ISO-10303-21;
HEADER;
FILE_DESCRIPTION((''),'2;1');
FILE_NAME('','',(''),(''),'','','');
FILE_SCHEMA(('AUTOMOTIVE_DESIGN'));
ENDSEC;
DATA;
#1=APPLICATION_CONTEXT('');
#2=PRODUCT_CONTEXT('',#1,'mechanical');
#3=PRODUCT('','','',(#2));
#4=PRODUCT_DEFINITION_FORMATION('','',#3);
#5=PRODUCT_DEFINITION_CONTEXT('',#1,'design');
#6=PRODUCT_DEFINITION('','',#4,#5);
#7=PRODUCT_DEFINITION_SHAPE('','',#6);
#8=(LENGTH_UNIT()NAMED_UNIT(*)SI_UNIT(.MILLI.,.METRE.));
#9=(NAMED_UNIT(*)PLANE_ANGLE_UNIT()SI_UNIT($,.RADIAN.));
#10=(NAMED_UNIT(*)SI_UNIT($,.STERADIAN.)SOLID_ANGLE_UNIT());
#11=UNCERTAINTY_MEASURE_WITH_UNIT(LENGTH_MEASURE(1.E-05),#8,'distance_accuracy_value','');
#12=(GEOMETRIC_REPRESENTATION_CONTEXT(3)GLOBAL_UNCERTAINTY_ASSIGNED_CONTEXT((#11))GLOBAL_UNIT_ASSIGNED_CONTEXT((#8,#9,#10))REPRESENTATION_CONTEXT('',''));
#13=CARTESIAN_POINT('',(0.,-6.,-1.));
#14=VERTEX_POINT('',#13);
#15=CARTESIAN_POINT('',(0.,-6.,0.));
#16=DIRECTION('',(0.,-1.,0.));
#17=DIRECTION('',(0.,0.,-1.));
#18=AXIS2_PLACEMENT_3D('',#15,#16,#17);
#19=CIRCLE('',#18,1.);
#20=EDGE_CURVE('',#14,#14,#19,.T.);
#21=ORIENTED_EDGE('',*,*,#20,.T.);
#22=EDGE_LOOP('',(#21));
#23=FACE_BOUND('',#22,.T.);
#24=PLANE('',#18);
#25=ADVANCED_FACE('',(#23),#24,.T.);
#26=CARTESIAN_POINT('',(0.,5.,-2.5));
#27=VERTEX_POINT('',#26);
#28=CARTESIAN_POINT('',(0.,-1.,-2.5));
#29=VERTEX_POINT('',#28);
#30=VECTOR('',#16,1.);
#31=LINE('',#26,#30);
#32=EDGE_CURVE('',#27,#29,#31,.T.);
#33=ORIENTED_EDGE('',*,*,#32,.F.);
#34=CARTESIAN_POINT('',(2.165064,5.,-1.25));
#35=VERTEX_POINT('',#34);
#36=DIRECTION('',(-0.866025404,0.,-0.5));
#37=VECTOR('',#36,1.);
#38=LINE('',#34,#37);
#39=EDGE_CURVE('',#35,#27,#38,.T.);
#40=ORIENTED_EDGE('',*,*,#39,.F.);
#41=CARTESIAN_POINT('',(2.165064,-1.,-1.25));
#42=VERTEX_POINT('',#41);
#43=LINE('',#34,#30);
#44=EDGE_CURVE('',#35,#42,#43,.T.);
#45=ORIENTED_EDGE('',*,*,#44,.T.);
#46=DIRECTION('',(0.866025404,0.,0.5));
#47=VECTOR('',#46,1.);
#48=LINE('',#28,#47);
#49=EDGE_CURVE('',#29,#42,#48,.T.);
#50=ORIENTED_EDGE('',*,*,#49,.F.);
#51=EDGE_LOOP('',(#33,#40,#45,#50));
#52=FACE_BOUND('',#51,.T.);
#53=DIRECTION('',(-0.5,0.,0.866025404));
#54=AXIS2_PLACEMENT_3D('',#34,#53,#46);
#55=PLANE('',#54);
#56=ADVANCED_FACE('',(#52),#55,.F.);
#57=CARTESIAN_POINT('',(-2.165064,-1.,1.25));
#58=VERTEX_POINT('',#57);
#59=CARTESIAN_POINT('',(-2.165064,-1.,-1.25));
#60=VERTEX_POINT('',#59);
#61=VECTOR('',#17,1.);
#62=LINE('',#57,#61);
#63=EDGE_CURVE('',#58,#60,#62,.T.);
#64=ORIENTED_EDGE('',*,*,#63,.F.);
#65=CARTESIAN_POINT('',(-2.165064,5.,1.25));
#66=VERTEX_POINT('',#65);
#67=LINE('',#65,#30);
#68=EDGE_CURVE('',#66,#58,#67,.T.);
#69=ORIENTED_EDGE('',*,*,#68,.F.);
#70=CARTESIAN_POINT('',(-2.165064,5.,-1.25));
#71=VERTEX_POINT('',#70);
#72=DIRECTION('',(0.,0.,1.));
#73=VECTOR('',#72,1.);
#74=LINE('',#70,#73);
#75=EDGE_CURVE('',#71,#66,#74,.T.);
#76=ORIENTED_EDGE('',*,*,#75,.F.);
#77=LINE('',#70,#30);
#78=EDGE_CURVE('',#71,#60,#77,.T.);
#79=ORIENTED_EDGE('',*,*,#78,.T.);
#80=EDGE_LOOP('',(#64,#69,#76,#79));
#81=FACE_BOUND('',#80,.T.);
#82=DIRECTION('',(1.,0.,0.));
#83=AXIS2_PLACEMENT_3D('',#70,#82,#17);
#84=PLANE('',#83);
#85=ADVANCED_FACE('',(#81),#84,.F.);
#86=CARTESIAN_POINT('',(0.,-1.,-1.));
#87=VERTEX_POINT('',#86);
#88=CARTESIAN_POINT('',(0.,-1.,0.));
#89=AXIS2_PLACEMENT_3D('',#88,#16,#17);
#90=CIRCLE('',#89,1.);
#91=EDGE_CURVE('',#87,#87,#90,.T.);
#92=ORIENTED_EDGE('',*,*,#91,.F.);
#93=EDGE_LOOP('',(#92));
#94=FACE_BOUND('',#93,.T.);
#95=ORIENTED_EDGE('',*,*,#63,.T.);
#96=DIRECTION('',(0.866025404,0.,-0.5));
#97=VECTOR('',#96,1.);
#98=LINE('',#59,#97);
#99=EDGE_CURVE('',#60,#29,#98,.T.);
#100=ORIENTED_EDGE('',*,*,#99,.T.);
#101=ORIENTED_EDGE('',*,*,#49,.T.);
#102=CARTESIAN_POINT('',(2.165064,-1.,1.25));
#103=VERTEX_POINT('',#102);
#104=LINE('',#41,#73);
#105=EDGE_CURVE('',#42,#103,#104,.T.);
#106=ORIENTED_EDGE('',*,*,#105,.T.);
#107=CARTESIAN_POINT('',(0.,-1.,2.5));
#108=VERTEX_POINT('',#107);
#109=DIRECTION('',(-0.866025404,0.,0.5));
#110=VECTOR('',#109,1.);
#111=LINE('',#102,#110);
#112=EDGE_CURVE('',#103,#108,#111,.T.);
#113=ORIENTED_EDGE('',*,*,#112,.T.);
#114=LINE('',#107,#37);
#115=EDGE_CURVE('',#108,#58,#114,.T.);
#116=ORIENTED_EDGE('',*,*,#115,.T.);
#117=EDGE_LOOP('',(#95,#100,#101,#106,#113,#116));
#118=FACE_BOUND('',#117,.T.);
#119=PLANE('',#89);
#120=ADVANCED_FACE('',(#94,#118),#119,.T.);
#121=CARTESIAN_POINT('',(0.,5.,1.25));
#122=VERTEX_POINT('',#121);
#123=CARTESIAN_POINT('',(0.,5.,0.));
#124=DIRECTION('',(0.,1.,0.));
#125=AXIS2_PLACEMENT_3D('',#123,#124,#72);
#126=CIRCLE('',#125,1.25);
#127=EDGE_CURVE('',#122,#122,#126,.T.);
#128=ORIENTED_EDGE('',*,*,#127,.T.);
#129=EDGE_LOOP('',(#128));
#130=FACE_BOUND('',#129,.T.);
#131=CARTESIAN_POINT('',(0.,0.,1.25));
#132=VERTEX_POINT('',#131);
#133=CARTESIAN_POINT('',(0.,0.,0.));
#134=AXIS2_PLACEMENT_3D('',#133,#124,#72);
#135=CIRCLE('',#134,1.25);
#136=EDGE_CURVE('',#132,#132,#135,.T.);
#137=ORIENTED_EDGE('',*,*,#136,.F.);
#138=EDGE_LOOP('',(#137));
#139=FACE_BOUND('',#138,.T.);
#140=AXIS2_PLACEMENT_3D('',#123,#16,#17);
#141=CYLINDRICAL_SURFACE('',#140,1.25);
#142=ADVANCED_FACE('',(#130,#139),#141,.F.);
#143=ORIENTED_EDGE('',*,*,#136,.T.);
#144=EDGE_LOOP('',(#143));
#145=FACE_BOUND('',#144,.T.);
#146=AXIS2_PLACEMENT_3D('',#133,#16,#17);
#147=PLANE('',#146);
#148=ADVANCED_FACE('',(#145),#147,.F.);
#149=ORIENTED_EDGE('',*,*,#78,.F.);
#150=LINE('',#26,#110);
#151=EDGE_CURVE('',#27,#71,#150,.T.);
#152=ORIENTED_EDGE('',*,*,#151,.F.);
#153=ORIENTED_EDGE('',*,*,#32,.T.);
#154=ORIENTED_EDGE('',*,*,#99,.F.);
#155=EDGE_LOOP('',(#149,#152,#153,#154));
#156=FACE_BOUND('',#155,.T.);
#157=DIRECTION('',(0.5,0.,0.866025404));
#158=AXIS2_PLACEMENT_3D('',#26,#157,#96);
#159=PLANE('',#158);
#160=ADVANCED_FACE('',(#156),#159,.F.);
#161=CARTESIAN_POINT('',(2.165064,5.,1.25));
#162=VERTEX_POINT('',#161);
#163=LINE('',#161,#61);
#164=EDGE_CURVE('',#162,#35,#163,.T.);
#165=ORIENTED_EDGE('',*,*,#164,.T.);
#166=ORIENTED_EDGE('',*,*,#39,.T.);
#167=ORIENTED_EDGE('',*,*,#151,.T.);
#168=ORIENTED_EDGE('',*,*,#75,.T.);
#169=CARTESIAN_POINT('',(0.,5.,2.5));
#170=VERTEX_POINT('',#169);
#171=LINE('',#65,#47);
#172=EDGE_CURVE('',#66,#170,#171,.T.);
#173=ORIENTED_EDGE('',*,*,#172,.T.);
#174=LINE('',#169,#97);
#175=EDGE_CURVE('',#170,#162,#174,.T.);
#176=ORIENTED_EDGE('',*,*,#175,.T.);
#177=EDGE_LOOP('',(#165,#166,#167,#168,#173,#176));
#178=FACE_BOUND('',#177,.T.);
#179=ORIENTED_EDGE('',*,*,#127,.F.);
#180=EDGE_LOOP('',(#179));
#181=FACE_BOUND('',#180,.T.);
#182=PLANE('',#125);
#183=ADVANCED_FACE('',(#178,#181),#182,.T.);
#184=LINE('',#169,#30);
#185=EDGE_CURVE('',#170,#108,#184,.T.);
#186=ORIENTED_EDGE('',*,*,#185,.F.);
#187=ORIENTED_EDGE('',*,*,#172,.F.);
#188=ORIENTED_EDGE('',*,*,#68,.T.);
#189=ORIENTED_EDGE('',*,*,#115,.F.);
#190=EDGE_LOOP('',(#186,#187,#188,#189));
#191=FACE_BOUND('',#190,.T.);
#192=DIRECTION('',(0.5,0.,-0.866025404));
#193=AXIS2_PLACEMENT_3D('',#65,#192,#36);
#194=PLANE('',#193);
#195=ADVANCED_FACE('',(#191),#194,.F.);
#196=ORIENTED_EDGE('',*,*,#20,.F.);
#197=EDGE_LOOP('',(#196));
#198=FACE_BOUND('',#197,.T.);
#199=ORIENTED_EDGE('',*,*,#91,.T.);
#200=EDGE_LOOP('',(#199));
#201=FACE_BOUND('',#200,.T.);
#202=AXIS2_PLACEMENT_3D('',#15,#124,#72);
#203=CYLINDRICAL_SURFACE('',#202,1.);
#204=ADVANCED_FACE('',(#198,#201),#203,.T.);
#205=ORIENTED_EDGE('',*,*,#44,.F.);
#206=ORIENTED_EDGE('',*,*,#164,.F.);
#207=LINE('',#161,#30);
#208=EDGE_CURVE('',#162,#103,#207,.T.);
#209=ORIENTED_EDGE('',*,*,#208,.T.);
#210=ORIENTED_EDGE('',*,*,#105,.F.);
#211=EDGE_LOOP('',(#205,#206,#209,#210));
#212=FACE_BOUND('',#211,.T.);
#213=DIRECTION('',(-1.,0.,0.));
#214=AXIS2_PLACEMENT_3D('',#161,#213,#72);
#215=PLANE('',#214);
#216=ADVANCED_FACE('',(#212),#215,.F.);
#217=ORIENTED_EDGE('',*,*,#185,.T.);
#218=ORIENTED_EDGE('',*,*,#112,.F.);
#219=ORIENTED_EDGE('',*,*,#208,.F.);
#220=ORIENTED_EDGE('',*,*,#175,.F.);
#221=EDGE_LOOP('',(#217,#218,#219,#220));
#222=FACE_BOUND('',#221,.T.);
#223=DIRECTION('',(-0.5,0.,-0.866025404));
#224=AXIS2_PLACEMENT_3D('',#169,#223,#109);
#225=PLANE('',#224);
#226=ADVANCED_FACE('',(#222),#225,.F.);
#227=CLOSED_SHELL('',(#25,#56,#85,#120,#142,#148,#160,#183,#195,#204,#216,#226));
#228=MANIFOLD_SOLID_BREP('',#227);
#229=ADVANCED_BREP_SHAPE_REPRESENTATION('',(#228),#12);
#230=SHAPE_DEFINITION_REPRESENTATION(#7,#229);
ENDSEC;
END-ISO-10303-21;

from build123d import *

# Parameters (mm, degrees)
SKETCH1_R   = 1.25
BODY_DEPTH  = 5
END_DEPTH   = 1
SKETCH3_R   = 1
SCREW_DEPTH = 5


with BuildPart() as part:
    # Sketch1 → Body (new body)
    with BuildSketch(Plane(origin=(0, 0, 0), x_dir=(1, 0, 0), z_dir=(0, 1, 0))):
        Polygon((0, 2.5), (-2.165063509, 1.25), (-2.165063509, -1.25), (0, -2.5), (2.165063509, -1.25), (2.165063509, 1.25), align=None)
        with Locations(Location((0, 0, 0), (0, 0, 270))):
            Circle(SKETCH1_R, mode=Mode.SUBTRACT)
    extrude(amount=BODY_DEPTH)

    # Sketch2 → End (add)
    with BuildSketch(Plane.XZ):
        Polygon((0, -2.5), (2.165063509, -1.25), (2.165063509, 1.25), (0, 2.5), (-2.165063509, 1.25), (-2.165063509, -1.25), align=None)
    extrude(amount=END_DEPTH)

    # Sketch3 → Screw (add)
    with BuildSketch(Plane.XZ.offset(1)):
        with Locations(Location((0, 0, 0), (0, 0, 270))):
            Circle(SKETCH3_R)
    extrude(amount=SCREW_DEPTH)


solid = part.part
